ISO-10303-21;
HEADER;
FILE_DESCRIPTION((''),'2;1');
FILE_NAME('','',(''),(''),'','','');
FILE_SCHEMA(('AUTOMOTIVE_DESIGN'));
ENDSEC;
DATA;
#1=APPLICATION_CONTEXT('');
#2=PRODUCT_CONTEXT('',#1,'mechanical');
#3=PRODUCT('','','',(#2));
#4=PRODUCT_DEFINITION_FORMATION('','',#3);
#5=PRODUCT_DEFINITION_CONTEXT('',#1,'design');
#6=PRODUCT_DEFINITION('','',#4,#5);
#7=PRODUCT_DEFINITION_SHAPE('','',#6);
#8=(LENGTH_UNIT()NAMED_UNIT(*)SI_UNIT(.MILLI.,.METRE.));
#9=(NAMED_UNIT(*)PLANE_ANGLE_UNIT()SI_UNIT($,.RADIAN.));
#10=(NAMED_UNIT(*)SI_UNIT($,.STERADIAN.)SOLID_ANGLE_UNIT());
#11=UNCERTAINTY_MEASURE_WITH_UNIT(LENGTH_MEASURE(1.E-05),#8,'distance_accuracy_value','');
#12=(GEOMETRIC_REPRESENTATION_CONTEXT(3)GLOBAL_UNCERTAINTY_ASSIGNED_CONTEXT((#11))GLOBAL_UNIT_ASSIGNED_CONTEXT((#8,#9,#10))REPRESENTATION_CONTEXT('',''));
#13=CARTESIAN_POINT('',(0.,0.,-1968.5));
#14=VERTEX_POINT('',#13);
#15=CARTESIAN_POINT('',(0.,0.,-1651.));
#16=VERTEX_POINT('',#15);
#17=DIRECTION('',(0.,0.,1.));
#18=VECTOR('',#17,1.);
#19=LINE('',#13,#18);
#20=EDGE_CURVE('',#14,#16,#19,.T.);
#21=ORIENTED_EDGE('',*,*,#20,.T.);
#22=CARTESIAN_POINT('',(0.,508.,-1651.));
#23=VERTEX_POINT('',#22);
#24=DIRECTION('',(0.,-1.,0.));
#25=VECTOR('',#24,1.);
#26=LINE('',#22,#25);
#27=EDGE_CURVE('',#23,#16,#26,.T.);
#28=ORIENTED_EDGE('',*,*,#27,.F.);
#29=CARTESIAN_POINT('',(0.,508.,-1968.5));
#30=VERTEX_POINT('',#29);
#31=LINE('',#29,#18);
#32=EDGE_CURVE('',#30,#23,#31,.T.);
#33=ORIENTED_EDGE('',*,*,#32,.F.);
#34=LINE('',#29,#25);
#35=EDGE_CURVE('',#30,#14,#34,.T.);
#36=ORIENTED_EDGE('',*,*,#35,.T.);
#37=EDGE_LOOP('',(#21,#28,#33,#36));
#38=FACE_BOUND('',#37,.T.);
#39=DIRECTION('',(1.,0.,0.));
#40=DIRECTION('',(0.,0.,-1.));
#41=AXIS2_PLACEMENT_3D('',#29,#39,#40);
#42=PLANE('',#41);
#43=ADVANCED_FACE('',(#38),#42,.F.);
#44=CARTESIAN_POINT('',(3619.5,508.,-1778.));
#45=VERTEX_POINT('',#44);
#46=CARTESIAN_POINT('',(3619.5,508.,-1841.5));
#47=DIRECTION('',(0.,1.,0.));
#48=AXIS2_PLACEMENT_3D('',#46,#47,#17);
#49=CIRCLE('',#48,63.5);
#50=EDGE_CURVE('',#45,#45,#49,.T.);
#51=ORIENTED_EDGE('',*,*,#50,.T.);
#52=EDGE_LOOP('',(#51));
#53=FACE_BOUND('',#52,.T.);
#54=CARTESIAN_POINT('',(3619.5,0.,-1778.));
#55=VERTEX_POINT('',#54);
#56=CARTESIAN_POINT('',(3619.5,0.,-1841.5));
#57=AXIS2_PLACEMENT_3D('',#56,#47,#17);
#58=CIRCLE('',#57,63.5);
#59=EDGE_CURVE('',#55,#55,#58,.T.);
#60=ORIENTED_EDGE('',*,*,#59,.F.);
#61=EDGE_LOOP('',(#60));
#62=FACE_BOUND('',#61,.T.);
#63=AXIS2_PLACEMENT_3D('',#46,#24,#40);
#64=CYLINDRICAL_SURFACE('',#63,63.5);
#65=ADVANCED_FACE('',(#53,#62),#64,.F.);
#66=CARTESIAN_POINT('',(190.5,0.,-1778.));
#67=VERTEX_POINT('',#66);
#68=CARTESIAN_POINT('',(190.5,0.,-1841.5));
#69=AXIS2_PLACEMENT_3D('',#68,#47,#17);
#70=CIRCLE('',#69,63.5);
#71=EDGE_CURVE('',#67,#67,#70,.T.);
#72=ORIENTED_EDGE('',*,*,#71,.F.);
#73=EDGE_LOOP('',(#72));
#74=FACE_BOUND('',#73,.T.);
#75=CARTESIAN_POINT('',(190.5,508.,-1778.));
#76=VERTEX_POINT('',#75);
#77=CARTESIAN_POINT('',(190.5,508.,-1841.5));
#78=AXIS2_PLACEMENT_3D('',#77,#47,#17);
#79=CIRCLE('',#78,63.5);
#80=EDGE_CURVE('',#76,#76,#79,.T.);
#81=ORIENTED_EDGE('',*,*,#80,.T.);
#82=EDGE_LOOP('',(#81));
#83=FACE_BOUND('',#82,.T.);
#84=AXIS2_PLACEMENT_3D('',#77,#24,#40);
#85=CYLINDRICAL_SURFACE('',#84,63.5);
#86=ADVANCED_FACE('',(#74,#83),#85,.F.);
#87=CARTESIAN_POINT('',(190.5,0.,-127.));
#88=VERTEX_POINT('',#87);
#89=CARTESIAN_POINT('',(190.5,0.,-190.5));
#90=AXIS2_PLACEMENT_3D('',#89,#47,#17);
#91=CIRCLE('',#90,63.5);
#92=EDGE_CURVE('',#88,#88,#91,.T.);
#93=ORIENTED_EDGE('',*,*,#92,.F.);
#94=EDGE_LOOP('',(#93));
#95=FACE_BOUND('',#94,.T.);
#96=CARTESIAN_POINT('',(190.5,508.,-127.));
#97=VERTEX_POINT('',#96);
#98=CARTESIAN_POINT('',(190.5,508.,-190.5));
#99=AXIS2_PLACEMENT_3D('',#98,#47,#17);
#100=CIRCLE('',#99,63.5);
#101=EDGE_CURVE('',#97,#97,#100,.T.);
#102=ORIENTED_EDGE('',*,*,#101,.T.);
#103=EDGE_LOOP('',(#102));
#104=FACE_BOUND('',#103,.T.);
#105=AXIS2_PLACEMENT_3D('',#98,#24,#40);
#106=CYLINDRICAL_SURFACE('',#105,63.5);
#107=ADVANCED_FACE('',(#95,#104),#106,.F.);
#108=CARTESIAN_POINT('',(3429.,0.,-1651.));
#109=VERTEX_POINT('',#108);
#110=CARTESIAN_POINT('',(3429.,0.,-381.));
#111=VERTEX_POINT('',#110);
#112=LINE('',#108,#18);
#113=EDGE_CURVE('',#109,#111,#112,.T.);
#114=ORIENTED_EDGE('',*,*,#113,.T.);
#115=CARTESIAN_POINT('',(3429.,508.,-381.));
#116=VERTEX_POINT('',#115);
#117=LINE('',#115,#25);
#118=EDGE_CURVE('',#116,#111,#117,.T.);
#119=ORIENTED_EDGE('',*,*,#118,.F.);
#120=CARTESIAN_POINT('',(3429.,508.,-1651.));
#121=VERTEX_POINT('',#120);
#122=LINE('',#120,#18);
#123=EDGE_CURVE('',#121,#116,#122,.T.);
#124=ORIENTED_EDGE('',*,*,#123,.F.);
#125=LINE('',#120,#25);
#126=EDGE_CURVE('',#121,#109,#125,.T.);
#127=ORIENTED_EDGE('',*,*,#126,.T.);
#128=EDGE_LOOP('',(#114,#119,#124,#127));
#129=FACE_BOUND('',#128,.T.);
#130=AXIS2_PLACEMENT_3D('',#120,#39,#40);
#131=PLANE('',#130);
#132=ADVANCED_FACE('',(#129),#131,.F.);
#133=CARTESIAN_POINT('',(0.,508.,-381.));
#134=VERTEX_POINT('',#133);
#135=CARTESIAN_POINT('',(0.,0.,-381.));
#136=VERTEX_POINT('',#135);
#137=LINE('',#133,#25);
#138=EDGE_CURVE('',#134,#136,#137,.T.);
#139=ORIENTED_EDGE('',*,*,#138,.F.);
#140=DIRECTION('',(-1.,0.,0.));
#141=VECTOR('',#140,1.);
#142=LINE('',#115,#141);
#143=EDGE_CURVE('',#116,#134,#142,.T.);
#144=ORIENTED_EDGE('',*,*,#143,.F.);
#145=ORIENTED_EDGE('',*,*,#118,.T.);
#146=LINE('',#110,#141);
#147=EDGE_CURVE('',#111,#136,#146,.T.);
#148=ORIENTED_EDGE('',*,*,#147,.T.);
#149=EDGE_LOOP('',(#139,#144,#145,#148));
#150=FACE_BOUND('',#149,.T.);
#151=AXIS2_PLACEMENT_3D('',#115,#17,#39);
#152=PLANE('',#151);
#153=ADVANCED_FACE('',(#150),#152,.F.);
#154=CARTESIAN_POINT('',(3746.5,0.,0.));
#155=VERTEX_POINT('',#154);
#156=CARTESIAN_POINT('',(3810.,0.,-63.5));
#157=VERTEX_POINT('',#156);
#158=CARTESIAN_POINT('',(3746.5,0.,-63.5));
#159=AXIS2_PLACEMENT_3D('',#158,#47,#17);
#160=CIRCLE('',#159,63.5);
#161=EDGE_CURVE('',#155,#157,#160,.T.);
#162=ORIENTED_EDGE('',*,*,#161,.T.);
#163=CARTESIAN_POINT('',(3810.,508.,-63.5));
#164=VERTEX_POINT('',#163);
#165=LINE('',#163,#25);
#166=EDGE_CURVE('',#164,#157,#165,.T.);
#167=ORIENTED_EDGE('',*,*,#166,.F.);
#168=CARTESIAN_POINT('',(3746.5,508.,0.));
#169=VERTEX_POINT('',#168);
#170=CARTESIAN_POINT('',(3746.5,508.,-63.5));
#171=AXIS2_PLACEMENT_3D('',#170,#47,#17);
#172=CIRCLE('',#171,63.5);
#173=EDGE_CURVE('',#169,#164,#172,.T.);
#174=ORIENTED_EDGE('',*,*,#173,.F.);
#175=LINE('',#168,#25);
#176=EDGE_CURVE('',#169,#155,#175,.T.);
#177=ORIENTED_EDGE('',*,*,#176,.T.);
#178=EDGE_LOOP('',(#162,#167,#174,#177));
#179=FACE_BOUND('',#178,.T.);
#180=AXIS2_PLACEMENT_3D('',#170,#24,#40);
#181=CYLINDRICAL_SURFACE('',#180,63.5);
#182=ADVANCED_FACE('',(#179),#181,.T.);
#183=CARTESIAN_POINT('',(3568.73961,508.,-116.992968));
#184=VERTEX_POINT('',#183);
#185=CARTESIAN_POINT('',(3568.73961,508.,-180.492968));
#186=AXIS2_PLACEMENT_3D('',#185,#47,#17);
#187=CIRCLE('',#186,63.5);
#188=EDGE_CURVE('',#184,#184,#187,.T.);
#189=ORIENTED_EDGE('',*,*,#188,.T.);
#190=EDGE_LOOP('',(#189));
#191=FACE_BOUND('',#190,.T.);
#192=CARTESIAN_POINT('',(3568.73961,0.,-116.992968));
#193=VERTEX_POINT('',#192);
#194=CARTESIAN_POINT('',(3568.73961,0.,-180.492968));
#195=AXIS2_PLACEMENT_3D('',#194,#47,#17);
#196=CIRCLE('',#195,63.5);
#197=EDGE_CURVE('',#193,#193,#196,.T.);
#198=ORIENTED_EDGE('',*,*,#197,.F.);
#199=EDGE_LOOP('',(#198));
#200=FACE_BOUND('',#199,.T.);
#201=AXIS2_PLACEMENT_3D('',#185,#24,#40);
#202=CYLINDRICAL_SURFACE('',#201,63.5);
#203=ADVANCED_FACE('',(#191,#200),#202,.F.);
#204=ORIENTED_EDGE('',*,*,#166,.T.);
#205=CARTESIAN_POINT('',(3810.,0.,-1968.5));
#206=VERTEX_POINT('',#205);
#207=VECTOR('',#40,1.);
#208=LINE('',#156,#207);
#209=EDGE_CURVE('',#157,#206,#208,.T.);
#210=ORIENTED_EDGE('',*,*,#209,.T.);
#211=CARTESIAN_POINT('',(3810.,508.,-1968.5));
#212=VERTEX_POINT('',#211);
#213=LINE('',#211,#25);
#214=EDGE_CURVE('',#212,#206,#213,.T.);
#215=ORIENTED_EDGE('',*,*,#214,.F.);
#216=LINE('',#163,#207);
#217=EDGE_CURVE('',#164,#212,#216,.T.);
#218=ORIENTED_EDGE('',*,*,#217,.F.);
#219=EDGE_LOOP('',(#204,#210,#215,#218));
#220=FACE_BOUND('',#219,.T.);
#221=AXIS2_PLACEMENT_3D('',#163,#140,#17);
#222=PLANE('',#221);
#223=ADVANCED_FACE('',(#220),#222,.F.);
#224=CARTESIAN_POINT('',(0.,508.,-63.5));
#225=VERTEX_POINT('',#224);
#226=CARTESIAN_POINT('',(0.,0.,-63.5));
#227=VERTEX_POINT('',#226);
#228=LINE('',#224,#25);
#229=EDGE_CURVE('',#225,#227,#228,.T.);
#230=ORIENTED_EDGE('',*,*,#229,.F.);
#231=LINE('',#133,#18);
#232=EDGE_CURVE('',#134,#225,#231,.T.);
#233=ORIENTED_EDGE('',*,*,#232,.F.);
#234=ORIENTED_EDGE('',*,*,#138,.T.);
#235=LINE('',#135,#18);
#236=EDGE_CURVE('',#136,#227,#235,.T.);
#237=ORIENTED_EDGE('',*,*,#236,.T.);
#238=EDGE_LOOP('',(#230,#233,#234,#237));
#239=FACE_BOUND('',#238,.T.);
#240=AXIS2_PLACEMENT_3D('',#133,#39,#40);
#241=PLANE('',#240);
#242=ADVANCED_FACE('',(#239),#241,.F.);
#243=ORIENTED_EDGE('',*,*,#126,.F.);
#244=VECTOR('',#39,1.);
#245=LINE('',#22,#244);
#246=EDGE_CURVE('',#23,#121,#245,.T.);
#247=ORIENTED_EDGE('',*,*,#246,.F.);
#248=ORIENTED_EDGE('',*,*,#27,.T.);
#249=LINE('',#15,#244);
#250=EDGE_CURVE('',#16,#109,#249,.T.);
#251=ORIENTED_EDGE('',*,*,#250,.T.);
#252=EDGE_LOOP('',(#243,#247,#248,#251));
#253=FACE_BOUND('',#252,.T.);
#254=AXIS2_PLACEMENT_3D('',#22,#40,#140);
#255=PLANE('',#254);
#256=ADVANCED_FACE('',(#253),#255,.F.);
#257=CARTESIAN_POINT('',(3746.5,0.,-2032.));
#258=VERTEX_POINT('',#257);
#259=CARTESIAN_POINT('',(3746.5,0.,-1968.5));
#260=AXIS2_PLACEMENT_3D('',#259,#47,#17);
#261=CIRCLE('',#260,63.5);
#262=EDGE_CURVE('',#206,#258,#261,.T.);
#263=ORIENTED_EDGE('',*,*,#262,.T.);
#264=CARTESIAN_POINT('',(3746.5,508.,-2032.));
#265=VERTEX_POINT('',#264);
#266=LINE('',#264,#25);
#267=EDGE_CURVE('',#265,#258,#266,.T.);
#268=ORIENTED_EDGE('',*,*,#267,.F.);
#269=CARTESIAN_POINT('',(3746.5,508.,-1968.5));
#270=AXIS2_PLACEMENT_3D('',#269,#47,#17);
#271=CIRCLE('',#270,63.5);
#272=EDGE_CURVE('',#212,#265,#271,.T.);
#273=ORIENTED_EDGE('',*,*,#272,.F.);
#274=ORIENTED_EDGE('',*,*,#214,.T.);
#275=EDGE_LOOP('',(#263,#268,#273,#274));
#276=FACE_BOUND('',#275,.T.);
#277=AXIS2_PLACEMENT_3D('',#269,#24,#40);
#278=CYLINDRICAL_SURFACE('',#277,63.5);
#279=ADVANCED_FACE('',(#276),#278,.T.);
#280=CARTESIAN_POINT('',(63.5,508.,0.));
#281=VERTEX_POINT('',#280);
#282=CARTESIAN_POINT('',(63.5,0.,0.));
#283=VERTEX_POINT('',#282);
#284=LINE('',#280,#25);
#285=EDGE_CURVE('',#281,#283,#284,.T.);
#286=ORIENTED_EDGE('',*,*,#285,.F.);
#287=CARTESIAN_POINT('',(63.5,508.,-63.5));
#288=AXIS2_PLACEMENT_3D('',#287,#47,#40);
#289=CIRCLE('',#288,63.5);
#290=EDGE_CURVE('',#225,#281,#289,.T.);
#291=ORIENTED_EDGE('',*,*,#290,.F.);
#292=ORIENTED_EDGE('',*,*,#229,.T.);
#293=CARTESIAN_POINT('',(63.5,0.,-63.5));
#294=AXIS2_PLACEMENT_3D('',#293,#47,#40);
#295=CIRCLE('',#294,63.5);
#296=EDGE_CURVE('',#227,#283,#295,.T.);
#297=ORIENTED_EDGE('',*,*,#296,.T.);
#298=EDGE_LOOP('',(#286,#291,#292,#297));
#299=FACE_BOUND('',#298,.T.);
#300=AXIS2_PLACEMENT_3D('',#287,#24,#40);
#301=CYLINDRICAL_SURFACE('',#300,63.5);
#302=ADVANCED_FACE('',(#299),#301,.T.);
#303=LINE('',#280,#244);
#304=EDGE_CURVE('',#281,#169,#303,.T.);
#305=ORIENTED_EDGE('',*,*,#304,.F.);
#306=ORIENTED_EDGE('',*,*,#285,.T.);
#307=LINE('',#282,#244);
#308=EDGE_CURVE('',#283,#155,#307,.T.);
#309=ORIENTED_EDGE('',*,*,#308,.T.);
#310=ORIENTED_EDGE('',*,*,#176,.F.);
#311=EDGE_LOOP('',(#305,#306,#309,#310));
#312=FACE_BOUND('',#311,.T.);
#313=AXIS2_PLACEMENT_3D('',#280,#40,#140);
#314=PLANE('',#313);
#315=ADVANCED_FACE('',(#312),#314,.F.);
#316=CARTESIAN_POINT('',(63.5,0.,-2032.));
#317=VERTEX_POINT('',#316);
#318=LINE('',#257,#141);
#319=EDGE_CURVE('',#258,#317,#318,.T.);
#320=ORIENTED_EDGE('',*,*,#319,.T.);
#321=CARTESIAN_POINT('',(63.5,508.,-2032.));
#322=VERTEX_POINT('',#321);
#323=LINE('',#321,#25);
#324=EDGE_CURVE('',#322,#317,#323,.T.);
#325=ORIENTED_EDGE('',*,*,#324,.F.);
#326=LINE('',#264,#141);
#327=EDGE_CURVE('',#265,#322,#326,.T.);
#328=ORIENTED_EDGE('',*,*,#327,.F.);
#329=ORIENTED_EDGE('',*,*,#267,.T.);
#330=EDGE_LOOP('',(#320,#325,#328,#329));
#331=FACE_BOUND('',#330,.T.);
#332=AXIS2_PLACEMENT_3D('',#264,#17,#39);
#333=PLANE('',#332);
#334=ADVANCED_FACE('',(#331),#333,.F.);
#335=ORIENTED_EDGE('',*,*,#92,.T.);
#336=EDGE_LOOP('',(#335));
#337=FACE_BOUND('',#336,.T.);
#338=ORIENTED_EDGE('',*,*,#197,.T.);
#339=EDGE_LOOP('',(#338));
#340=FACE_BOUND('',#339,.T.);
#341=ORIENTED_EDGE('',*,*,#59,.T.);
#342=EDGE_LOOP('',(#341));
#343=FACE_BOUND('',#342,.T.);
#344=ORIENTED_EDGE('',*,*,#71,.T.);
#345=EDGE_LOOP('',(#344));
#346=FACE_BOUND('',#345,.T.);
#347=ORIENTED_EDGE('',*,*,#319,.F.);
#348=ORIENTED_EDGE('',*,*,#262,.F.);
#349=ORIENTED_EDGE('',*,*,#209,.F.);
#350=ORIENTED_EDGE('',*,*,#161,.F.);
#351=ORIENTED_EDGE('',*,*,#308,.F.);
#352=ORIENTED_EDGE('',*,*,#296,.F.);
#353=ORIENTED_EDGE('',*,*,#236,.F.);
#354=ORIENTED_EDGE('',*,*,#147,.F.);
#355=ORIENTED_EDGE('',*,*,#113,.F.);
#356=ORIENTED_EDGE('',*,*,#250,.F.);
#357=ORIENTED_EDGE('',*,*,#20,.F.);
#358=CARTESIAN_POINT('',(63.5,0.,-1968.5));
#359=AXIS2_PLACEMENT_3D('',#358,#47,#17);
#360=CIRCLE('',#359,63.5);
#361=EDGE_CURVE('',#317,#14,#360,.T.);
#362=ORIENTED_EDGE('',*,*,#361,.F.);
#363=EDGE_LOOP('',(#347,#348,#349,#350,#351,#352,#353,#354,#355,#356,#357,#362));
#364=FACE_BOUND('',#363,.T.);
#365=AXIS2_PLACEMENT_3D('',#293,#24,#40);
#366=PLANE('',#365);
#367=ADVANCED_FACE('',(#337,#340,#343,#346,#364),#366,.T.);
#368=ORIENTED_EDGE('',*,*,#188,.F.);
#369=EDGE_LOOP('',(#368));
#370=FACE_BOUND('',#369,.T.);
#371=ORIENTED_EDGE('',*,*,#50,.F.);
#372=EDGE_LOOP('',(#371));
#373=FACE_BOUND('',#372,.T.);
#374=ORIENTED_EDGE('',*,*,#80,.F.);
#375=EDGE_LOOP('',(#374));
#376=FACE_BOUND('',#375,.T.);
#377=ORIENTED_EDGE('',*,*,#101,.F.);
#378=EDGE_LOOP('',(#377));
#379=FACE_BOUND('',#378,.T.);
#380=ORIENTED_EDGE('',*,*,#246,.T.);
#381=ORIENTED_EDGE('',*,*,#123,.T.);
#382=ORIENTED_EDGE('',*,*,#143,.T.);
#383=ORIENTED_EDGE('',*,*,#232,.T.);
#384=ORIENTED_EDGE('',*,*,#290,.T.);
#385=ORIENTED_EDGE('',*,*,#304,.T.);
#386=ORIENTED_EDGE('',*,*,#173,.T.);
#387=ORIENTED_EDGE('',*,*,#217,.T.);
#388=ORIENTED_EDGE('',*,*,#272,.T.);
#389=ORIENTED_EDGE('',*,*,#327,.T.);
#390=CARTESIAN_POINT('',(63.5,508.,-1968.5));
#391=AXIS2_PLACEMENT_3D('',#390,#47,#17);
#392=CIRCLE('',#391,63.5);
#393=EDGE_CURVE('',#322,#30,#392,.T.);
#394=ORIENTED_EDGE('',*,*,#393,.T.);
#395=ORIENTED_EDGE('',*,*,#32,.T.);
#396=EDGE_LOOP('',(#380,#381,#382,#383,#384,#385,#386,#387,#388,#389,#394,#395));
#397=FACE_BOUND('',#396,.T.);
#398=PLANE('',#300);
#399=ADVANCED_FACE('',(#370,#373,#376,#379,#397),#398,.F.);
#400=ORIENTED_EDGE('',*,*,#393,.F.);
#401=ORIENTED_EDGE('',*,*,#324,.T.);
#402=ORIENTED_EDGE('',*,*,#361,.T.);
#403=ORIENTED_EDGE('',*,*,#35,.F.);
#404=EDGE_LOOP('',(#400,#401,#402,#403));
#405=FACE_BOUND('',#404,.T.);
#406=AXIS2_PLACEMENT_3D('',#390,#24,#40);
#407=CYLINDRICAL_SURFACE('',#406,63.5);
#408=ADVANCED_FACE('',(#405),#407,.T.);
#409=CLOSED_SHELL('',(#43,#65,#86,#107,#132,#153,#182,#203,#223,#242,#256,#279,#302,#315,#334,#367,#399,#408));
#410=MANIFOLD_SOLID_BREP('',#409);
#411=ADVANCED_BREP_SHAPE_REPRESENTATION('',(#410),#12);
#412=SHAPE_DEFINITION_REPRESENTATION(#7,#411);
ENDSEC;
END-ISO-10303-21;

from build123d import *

# Parameters (mm, degrees)
SKETCH1_R           = 63.5
BOSS_EXTRUDE1_DEPTH = 508


with BuildPart() as part:
    # Sketch1 → Boss-Extrude1 (new body)
    with BuildSketch(Plane(origin=(0, 0, 0), x_dir=(1, 0, 0), z_dir=(0, 1, 0))):
        with BuildLine():
            Line((63.5, 0), (3746.5, 0))
            ThreePointArc((3746.5, 0), (3791.401280605, 18.598719395), (3810, 63.5))
            Line((3810, 63.5), (3810, 1968.5))
            ThreePointArc((3810, 1968.5), (3791.401280605, 2013.401280605), (3746.5, 2032))
            Line((3746.5, 2032), (63.5, 2032))
            ThreePointArc((63.5, 2032), (18.598719395, 2013.401280605), (0, 1968.5))
            Line((0, 1968.5), (0, 1651))
            Line((0, 1651), (3429, 1651))
            Line((3429, 1651), (3429, 381))
            Line((3429, 381), (0, 381))
            Line((0, 381), (0, 63.5))
            ThreePointArc((0, 63.5), (18.598719395, 18.598719395), (63.5, 0))
        make_face()
        with Locations(Location((190.5, 1841.5, 0), (0, 0, 270))):
            Circle(SKETCH1_R, mode=Mode.SUBTRACT)
        with Locations(Location((190.5, 190.5, 0), (0, 0, 270))):
            Circle(SKETCH1_R, mode=Mode.SUBTRACT)
        with Locations(Location((3568.739609568, 180.492968071, 0), (0, 0, 270))):
            Circle(SKETCH1_R, mode=Mode.SUBTRACT)
        with Locations(Location((3619.5, 1841.5, 0), (0, 0, 270))):
            Circle(SKETCH1_R, mode=Mode.SUBTRACT)
    extrude(amount=BOSS_EXTRUDE1_DEPTH)


solid = part.part
